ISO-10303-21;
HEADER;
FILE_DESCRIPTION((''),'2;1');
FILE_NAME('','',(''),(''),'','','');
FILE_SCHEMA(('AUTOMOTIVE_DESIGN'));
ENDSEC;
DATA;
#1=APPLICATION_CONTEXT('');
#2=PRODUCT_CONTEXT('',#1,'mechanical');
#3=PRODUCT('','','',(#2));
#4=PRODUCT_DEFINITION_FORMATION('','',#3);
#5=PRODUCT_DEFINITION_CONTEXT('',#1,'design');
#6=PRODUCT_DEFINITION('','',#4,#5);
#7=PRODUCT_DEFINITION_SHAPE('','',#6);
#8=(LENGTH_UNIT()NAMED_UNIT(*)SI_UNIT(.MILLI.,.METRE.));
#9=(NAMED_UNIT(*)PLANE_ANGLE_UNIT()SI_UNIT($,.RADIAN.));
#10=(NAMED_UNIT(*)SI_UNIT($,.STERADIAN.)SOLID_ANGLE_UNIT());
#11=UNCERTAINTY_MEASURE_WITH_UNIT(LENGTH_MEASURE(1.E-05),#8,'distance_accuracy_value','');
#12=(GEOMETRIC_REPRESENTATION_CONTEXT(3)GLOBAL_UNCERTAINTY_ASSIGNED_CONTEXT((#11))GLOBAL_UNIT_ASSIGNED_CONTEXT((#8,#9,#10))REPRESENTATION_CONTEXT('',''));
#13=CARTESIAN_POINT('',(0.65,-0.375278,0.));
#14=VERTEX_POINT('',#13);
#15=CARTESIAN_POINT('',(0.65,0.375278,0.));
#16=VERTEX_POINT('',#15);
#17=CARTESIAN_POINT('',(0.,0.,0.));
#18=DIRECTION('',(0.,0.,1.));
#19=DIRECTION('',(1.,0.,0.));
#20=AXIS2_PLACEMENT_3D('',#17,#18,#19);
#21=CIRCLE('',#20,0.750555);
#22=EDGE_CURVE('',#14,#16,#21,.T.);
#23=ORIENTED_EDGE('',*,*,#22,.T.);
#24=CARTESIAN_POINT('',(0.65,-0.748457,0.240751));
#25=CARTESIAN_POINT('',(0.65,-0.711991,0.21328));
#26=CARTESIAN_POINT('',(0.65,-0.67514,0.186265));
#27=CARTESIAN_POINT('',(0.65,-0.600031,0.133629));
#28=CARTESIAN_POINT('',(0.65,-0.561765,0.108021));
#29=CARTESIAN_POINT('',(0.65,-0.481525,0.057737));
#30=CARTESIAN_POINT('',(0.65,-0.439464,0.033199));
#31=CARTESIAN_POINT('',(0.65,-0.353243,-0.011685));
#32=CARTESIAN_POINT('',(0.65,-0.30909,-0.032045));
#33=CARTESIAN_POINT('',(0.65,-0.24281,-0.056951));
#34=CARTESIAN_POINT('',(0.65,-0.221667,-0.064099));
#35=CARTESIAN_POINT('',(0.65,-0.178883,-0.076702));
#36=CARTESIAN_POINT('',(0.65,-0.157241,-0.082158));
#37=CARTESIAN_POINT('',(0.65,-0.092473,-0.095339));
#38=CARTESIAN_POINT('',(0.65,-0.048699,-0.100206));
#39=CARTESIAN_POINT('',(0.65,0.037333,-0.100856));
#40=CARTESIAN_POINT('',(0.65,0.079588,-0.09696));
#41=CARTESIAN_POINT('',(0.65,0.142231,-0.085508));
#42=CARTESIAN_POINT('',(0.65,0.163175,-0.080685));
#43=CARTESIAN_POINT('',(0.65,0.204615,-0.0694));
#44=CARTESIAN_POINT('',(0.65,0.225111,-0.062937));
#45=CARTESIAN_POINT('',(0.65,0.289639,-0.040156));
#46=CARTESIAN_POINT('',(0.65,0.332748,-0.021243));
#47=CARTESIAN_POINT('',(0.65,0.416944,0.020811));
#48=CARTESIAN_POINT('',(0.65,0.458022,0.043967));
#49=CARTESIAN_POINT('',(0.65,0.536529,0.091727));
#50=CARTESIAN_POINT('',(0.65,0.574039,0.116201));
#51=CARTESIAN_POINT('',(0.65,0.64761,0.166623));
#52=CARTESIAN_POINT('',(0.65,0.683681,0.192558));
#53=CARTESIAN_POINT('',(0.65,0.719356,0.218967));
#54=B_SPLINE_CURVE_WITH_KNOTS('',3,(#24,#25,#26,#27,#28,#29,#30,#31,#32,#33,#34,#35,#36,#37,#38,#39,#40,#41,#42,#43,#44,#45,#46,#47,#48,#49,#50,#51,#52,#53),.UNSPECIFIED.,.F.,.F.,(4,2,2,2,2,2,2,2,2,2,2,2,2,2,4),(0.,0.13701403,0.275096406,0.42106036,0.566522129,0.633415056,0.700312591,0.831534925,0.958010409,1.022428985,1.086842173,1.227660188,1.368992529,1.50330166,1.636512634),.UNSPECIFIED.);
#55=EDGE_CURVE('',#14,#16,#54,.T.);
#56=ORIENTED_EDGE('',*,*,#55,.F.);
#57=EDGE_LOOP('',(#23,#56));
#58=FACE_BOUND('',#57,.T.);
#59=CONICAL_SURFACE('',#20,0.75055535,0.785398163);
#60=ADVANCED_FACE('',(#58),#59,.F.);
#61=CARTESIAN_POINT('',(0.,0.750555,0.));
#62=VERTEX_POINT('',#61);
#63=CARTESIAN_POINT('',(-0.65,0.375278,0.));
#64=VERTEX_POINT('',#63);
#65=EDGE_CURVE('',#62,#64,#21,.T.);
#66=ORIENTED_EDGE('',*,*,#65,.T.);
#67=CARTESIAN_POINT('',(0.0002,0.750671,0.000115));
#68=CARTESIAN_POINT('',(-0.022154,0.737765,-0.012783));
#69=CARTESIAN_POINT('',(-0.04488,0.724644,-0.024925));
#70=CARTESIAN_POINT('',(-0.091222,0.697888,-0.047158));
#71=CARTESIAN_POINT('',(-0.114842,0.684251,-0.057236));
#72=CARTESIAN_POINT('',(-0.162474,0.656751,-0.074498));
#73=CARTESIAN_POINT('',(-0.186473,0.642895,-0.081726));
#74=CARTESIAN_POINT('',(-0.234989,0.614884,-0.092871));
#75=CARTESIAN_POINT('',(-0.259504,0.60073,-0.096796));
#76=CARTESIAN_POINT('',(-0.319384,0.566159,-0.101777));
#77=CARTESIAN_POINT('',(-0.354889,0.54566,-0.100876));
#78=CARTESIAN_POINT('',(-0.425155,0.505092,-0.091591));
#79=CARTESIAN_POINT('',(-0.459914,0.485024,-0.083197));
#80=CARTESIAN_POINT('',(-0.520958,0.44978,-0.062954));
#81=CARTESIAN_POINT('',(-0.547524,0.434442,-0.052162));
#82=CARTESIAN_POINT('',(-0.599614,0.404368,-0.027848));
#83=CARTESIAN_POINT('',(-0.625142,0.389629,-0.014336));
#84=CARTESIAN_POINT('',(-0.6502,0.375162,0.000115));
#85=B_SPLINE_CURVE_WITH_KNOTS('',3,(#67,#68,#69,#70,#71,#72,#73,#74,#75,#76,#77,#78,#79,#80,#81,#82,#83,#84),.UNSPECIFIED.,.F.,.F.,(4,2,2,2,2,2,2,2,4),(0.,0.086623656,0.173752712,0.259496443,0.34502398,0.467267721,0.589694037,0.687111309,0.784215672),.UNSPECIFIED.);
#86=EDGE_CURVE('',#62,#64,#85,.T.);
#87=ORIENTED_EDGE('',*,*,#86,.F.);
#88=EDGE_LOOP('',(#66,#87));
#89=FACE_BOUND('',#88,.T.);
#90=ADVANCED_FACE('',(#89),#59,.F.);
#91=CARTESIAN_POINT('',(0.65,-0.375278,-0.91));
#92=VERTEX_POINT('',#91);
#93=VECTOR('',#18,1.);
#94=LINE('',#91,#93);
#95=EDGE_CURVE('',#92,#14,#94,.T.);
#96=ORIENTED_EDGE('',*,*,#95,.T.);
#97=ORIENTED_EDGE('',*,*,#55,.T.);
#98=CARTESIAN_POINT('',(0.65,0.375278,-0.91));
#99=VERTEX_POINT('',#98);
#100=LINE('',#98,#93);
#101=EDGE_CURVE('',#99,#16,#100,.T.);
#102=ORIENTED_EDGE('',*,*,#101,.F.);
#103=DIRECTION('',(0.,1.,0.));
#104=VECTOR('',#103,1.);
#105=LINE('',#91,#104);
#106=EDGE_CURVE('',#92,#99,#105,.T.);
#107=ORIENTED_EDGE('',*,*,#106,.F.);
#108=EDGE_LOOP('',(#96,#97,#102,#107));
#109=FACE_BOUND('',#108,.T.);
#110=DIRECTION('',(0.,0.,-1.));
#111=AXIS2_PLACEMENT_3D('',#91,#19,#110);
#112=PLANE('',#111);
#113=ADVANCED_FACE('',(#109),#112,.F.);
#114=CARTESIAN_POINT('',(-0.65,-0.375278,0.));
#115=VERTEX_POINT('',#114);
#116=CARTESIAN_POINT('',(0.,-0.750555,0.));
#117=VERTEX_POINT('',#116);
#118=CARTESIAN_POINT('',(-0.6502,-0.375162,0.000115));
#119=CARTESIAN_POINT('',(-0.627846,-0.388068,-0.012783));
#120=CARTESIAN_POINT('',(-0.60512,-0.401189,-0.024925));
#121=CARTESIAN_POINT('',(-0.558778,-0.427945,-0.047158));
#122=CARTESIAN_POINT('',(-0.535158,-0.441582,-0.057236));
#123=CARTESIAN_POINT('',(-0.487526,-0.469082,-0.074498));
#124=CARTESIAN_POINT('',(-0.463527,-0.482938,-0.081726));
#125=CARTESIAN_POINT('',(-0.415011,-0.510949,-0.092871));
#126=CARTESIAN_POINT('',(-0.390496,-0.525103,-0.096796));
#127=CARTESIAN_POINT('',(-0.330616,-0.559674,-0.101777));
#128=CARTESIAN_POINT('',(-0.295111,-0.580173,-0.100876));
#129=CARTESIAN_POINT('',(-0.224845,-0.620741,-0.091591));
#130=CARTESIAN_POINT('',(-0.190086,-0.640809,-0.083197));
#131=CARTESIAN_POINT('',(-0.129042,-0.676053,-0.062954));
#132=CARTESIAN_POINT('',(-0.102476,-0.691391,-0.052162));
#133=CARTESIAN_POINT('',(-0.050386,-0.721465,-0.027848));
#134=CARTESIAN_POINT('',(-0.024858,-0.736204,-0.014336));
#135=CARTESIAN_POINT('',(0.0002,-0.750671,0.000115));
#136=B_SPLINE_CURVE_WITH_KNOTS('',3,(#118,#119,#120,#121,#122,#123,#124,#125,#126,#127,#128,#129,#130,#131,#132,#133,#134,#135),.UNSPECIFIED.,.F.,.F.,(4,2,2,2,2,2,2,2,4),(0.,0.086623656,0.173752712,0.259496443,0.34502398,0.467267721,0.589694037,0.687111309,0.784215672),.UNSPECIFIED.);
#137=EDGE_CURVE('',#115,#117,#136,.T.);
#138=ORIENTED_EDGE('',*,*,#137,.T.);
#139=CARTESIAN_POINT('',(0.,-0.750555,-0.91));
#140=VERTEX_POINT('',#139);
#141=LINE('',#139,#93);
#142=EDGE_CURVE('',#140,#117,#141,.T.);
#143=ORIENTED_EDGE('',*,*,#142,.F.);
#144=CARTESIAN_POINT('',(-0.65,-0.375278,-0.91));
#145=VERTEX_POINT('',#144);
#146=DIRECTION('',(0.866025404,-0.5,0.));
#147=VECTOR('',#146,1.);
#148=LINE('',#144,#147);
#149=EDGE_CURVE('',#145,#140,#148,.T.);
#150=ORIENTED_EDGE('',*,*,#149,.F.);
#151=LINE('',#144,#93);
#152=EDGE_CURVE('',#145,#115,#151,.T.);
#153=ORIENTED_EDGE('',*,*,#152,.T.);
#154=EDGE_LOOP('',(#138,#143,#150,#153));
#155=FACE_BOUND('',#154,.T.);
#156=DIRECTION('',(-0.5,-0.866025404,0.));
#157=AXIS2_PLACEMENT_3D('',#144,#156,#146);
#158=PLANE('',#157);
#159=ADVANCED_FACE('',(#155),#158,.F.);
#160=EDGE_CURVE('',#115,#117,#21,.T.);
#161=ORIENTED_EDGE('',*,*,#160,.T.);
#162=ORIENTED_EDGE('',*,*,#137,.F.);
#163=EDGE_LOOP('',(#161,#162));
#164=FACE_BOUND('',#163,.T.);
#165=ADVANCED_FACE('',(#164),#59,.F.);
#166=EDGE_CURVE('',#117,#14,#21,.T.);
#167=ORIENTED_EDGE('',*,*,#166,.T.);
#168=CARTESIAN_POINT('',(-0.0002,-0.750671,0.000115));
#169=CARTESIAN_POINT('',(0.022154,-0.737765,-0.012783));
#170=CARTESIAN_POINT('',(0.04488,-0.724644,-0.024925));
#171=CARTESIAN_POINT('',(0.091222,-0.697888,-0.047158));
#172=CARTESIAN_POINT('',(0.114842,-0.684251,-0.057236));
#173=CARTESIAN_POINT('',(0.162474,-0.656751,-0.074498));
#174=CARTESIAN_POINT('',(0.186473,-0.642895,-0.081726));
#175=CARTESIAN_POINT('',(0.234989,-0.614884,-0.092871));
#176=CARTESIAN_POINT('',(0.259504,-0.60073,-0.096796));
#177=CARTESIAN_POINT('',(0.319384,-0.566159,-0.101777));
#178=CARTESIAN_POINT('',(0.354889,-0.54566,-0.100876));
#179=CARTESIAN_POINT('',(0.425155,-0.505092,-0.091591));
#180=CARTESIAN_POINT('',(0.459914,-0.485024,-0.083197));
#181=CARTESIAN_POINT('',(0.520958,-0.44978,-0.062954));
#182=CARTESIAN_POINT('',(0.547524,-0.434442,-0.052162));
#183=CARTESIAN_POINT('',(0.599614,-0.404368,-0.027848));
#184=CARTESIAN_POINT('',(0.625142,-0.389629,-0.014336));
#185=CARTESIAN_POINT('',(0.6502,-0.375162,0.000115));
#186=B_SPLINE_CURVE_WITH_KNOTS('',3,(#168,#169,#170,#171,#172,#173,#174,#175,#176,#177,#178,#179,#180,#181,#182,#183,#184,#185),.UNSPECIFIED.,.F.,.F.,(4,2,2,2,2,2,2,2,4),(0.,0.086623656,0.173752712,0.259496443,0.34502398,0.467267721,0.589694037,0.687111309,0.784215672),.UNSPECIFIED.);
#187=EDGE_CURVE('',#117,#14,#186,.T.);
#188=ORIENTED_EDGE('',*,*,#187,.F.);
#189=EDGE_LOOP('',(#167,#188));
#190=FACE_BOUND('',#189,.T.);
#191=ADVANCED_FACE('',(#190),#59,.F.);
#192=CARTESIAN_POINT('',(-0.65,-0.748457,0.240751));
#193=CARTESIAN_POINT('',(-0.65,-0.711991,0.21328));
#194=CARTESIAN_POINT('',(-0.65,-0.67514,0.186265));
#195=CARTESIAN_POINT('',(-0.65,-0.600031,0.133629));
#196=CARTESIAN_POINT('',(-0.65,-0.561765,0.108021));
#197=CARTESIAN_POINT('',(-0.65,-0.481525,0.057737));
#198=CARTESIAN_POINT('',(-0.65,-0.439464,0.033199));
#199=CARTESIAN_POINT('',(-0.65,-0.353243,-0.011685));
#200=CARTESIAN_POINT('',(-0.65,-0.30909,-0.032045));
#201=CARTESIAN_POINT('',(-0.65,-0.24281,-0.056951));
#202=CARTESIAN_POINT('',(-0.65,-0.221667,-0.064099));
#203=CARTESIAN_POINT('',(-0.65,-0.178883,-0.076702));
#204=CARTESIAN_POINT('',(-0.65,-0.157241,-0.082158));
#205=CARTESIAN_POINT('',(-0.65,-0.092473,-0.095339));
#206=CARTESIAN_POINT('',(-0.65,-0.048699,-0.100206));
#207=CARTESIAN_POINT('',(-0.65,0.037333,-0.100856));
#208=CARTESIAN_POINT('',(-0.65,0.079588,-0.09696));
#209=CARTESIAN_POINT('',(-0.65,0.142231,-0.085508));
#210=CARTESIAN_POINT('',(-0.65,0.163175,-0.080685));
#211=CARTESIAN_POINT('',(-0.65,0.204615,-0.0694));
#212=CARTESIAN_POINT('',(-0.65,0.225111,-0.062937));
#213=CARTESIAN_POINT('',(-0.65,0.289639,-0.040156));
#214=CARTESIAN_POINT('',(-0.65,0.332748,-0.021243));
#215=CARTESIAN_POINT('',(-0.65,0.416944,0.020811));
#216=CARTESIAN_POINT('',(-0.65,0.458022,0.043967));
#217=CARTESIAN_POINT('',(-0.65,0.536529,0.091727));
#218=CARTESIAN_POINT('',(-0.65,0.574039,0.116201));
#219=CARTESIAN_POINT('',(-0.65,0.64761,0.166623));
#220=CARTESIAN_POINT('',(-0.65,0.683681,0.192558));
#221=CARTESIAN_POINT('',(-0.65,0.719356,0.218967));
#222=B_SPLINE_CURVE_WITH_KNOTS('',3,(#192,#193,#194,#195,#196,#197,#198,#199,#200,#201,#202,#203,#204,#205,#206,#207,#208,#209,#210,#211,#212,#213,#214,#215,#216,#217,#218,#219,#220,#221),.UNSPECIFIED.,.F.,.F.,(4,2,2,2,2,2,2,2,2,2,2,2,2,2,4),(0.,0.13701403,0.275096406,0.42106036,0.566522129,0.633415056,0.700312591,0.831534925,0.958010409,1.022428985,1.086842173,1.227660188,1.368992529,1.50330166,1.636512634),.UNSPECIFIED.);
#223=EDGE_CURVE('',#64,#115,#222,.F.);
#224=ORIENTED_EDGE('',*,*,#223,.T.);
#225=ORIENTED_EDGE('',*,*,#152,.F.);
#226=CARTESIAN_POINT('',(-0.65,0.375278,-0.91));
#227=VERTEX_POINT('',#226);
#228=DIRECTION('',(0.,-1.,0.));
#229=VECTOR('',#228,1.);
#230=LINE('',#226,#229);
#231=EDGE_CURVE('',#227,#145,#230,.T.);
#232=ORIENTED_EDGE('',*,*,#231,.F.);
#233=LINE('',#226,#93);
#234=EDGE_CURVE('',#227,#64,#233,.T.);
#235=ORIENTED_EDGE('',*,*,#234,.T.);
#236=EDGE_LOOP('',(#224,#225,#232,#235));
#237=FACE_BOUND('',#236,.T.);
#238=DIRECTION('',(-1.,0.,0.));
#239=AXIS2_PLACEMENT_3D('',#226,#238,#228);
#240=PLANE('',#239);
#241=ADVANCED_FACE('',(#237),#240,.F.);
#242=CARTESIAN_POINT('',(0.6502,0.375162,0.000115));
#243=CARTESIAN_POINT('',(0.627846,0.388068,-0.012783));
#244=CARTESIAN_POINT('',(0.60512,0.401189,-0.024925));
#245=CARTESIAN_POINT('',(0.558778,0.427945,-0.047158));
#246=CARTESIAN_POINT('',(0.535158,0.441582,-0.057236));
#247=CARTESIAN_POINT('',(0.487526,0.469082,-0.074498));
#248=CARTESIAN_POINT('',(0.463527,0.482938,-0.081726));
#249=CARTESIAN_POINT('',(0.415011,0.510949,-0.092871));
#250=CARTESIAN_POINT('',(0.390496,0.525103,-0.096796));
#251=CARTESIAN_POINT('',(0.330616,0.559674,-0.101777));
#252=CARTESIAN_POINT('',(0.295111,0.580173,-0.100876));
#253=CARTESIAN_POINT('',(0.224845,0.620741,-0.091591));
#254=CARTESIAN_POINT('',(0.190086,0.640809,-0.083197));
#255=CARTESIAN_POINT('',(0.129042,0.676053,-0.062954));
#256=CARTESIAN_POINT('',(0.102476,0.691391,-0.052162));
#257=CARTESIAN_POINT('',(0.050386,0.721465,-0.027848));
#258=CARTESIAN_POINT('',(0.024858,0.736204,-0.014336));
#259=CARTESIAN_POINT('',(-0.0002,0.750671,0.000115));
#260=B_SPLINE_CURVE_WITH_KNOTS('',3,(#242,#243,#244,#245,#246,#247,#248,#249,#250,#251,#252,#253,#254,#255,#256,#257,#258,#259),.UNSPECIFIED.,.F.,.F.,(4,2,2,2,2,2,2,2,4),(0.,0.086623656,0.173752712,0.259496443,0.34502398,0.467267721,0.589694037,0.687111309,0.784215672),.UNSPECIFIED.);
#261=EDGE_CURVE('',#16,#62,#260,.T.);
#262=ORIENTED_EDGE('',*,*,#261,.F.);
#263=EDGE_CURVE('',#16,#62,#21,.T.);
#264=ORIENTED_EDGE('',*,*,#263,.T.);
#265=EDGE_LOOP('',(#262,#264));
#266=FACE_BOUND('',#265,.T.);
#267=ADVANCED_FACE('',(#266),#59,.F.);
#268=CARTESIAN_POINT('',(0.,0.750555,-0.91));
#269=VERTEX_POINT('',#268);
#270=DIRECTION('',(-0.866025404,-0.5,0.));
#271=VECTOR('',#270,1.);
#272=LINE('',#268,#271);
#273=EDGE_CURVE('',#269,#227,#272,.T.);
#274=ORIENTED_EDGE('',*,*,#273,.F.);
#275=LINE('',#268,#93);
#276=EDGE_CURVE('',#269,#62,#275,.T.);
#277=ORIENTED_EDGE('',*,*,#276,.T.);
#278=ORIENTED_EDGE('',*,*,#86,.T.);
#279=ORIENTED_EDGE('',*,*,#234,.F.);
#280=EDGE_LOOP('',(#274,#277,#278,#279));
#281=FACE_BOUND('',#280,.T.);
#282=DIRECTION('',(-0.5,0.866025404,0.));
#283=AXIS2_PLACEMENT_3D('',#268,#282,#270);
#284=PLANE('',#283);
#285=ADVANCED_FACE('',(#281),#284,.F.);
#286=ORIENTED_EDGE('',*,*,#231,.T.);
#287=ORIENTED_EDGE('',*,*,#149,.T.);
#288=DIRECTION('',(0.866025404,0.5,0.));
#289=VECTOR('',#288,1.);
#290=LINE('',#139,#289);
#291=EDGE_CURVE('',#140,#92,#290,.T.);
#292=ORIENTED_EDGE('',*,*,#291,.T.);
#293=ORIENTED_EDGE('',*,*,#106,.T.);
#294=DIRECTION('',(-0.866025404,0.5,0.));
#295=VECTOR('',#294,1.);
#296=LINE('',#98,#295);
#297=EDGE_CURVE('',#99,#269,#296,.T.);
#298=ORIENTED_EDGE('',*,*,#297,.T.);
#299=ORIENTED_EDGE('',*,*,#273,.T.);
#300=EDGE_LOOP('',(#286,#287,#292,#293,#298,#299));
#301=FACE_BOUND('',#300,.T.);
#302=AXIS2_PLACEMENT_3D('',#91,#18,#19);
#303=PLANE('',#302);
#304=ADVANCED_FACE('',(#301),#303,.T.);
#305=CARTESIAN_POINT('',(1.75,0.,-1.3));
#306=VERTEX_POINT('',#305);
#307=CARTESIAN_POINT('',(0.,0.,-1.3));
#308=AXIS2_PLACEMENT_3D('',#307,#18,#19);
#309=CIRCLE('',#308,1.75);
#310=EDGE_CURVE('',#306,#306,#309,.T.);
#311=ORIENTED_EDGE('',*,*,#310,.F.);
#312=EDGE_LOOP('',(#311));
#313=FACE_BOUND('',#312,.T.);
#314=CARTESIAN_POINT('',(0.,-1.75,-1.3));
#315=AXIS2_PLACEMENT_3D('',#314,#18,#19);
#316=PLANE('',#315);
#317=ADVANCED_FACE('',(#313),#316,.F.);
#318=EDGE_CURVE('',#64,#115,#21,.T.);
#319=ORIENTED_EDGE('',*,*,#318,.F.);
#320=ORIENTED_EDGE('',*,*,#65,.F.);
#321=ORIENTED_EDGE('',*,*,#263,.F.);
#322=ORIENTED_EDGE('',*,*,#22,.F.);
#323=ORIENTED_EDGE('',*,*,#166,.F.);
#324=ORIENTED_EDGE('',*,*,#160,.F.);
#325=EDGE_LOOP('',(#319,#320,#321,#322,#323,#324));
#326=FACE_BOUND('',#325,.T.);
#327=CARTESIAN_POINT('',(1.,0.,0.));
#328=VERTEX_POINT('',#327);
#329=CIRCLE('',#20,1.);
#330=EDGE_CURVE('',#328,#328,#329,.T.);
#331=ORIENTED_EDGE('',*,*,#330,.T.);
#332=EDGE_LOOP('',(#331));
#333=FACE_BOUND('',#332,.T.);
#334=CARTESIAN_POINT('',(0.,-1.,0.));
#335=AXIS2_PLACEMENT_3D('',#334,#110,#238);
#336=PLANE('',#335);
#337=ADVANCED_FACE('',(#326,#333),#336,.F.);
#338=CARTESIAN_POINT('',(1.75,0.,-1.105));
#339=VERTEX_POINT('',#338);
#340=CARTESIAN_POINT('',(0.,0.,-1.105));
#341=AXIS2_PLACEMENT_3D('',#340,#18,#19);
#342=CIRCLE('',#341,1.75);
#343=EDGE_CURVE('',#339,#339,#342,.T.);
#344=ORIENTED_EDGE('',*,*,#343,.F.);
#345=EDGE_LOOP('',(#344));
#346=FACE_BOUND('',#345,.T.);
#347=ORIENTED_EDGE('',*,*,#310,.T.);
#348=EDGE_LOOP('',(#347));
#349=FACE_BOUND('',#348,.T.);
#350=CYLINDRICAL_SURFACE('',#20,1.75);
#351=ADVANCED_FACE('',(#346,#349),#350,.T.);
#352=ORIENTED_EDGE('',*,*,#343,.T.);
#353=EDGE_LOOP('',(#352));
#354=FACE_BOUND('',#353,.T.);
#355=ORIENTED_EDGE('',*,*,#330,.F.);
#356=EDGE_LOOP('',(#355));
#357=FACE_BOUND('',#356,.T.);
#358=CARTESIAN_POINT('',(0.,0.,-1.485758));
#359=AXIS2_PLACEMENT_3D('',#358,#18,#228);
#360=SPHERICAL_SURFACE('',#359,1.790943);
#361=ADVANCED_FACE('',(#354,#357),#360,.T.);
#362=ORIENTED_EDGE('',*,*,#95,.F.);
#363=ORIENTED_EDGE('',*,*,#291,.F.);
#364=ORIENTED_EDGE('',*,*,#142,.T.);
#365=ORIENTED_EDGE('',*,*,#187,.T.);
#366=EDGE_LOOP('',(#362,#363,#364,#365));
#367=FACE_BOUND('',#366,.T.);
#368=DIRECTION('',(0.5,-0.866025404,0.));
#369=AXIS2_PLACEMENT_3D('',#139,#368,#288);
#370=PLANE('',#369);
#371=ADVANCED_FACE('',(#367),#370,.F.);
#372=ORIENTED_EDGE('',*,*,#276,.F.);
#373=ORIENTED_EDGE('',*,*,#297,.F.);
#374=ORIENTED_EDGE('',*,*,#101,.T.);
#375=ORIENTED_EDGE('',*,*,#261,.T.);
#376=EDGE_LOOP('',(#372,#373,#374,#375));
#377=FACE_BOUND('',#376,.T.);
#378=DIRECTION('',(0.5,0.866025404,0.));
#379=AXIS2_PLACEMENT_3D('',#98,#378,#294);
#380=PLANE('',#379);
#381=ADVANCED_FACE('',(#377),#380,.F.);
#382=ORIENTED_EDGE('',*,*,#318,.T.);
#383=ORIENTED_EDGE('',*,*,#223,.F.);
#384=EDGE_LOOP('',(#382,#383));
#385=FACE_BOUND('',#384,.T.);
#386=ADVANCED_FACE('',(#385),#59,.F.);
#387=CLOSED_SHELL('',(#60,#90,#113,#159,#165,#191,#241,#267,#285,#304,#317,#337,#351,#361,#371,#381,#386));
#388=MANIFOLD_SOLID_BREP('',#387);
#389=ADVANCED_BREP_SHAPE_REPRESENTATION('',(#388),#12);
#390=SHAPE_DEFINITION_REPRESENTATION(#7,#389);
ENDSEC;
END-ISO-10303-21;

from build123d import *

# Parameters (mm, degrees)
REVOLVE2_ANGLE     = 360
CUT_EXTRUDE2_DEPTH = 0.91
SKETCH6_R          = 0.75055535
CUT_EXTRUDE3_DEPTH = 0.91
CUT_EXTRUDE3_DRAFT = -45


with BuildPart() as part:
    # Sketch7 → Revolve2 (revolve, symmetric)
    with BuildSketch(Plane(origin=(0, 0, 0), x_dir=(0, 0, -1), z_dir=(1, 0, 0))) as revolve2_sk:
        with BuildLine():
            Line((1.105, 1.75), (1.3, 1.75))
            Line((1.3, 1.75), (1.3, 0))
            Line((1.3, 0), (0, 0))
            Line((0, 0), (0, 1))
            ThreePointArc((0, 1), (0.479976957, 1.481850617), (1.105, 1.75))
        make_face()
    revolve(axis=Axis((0, 0, 0), (0, 0, -1)), revolution_arc=REVOLVE2_ANGLE / 2)
    revolve(revolve2_sk.sketch, axis=Axis((0, 0, 0), (0, 0, 1)), revolution_arc=REVOLVE2_ANGLE / 2)

    # Sketch5 → Cut-Extrude2 (cut)
    with BuildSketch(Plane.XY):
        Polygon((0.65, -0.375277675), (0.65, 0.375277675), (0, 0.75055535), (-0.65, 0.375277675), (-0.65, -0.375277675), (0, -0.75055535), align=None)
    extrude(amount=-CUT_EXTRUDE2_DEPTH, mode=Mode.SUBTRACT)


with BuildPart() as cut_extrude3_tool:
    # Sketch6 → Cut-Extrude3 (with draft: the straight prism first)
    with BuildSketch(Plane.XY):
        Circle(SKETCH6_R)
    extrude(amount=-CUT_EXTRUDE3_DEPTH)
    # Cut-Extrude3: the draft: its side faces are tilted about the plane it starts from
    cut_extrude3_sides = [cut_extrude3_tool.faces().sort_by_distance(p)[0] for p in [
        (-0.75055535, 0, -0.455),
    ]]
    draft(cut_extrude3_sides, Plane.XY, CUT_EXTRUDE3_DRAFT)


with BuildPart() as part_1:
    add(part.part)

    # Cut-Extrude3: cut by cut_extrude3_tool
    add(cut_extrude3_tool.part, mode=Mode.SUBTRACT)


solid = part_1.part
